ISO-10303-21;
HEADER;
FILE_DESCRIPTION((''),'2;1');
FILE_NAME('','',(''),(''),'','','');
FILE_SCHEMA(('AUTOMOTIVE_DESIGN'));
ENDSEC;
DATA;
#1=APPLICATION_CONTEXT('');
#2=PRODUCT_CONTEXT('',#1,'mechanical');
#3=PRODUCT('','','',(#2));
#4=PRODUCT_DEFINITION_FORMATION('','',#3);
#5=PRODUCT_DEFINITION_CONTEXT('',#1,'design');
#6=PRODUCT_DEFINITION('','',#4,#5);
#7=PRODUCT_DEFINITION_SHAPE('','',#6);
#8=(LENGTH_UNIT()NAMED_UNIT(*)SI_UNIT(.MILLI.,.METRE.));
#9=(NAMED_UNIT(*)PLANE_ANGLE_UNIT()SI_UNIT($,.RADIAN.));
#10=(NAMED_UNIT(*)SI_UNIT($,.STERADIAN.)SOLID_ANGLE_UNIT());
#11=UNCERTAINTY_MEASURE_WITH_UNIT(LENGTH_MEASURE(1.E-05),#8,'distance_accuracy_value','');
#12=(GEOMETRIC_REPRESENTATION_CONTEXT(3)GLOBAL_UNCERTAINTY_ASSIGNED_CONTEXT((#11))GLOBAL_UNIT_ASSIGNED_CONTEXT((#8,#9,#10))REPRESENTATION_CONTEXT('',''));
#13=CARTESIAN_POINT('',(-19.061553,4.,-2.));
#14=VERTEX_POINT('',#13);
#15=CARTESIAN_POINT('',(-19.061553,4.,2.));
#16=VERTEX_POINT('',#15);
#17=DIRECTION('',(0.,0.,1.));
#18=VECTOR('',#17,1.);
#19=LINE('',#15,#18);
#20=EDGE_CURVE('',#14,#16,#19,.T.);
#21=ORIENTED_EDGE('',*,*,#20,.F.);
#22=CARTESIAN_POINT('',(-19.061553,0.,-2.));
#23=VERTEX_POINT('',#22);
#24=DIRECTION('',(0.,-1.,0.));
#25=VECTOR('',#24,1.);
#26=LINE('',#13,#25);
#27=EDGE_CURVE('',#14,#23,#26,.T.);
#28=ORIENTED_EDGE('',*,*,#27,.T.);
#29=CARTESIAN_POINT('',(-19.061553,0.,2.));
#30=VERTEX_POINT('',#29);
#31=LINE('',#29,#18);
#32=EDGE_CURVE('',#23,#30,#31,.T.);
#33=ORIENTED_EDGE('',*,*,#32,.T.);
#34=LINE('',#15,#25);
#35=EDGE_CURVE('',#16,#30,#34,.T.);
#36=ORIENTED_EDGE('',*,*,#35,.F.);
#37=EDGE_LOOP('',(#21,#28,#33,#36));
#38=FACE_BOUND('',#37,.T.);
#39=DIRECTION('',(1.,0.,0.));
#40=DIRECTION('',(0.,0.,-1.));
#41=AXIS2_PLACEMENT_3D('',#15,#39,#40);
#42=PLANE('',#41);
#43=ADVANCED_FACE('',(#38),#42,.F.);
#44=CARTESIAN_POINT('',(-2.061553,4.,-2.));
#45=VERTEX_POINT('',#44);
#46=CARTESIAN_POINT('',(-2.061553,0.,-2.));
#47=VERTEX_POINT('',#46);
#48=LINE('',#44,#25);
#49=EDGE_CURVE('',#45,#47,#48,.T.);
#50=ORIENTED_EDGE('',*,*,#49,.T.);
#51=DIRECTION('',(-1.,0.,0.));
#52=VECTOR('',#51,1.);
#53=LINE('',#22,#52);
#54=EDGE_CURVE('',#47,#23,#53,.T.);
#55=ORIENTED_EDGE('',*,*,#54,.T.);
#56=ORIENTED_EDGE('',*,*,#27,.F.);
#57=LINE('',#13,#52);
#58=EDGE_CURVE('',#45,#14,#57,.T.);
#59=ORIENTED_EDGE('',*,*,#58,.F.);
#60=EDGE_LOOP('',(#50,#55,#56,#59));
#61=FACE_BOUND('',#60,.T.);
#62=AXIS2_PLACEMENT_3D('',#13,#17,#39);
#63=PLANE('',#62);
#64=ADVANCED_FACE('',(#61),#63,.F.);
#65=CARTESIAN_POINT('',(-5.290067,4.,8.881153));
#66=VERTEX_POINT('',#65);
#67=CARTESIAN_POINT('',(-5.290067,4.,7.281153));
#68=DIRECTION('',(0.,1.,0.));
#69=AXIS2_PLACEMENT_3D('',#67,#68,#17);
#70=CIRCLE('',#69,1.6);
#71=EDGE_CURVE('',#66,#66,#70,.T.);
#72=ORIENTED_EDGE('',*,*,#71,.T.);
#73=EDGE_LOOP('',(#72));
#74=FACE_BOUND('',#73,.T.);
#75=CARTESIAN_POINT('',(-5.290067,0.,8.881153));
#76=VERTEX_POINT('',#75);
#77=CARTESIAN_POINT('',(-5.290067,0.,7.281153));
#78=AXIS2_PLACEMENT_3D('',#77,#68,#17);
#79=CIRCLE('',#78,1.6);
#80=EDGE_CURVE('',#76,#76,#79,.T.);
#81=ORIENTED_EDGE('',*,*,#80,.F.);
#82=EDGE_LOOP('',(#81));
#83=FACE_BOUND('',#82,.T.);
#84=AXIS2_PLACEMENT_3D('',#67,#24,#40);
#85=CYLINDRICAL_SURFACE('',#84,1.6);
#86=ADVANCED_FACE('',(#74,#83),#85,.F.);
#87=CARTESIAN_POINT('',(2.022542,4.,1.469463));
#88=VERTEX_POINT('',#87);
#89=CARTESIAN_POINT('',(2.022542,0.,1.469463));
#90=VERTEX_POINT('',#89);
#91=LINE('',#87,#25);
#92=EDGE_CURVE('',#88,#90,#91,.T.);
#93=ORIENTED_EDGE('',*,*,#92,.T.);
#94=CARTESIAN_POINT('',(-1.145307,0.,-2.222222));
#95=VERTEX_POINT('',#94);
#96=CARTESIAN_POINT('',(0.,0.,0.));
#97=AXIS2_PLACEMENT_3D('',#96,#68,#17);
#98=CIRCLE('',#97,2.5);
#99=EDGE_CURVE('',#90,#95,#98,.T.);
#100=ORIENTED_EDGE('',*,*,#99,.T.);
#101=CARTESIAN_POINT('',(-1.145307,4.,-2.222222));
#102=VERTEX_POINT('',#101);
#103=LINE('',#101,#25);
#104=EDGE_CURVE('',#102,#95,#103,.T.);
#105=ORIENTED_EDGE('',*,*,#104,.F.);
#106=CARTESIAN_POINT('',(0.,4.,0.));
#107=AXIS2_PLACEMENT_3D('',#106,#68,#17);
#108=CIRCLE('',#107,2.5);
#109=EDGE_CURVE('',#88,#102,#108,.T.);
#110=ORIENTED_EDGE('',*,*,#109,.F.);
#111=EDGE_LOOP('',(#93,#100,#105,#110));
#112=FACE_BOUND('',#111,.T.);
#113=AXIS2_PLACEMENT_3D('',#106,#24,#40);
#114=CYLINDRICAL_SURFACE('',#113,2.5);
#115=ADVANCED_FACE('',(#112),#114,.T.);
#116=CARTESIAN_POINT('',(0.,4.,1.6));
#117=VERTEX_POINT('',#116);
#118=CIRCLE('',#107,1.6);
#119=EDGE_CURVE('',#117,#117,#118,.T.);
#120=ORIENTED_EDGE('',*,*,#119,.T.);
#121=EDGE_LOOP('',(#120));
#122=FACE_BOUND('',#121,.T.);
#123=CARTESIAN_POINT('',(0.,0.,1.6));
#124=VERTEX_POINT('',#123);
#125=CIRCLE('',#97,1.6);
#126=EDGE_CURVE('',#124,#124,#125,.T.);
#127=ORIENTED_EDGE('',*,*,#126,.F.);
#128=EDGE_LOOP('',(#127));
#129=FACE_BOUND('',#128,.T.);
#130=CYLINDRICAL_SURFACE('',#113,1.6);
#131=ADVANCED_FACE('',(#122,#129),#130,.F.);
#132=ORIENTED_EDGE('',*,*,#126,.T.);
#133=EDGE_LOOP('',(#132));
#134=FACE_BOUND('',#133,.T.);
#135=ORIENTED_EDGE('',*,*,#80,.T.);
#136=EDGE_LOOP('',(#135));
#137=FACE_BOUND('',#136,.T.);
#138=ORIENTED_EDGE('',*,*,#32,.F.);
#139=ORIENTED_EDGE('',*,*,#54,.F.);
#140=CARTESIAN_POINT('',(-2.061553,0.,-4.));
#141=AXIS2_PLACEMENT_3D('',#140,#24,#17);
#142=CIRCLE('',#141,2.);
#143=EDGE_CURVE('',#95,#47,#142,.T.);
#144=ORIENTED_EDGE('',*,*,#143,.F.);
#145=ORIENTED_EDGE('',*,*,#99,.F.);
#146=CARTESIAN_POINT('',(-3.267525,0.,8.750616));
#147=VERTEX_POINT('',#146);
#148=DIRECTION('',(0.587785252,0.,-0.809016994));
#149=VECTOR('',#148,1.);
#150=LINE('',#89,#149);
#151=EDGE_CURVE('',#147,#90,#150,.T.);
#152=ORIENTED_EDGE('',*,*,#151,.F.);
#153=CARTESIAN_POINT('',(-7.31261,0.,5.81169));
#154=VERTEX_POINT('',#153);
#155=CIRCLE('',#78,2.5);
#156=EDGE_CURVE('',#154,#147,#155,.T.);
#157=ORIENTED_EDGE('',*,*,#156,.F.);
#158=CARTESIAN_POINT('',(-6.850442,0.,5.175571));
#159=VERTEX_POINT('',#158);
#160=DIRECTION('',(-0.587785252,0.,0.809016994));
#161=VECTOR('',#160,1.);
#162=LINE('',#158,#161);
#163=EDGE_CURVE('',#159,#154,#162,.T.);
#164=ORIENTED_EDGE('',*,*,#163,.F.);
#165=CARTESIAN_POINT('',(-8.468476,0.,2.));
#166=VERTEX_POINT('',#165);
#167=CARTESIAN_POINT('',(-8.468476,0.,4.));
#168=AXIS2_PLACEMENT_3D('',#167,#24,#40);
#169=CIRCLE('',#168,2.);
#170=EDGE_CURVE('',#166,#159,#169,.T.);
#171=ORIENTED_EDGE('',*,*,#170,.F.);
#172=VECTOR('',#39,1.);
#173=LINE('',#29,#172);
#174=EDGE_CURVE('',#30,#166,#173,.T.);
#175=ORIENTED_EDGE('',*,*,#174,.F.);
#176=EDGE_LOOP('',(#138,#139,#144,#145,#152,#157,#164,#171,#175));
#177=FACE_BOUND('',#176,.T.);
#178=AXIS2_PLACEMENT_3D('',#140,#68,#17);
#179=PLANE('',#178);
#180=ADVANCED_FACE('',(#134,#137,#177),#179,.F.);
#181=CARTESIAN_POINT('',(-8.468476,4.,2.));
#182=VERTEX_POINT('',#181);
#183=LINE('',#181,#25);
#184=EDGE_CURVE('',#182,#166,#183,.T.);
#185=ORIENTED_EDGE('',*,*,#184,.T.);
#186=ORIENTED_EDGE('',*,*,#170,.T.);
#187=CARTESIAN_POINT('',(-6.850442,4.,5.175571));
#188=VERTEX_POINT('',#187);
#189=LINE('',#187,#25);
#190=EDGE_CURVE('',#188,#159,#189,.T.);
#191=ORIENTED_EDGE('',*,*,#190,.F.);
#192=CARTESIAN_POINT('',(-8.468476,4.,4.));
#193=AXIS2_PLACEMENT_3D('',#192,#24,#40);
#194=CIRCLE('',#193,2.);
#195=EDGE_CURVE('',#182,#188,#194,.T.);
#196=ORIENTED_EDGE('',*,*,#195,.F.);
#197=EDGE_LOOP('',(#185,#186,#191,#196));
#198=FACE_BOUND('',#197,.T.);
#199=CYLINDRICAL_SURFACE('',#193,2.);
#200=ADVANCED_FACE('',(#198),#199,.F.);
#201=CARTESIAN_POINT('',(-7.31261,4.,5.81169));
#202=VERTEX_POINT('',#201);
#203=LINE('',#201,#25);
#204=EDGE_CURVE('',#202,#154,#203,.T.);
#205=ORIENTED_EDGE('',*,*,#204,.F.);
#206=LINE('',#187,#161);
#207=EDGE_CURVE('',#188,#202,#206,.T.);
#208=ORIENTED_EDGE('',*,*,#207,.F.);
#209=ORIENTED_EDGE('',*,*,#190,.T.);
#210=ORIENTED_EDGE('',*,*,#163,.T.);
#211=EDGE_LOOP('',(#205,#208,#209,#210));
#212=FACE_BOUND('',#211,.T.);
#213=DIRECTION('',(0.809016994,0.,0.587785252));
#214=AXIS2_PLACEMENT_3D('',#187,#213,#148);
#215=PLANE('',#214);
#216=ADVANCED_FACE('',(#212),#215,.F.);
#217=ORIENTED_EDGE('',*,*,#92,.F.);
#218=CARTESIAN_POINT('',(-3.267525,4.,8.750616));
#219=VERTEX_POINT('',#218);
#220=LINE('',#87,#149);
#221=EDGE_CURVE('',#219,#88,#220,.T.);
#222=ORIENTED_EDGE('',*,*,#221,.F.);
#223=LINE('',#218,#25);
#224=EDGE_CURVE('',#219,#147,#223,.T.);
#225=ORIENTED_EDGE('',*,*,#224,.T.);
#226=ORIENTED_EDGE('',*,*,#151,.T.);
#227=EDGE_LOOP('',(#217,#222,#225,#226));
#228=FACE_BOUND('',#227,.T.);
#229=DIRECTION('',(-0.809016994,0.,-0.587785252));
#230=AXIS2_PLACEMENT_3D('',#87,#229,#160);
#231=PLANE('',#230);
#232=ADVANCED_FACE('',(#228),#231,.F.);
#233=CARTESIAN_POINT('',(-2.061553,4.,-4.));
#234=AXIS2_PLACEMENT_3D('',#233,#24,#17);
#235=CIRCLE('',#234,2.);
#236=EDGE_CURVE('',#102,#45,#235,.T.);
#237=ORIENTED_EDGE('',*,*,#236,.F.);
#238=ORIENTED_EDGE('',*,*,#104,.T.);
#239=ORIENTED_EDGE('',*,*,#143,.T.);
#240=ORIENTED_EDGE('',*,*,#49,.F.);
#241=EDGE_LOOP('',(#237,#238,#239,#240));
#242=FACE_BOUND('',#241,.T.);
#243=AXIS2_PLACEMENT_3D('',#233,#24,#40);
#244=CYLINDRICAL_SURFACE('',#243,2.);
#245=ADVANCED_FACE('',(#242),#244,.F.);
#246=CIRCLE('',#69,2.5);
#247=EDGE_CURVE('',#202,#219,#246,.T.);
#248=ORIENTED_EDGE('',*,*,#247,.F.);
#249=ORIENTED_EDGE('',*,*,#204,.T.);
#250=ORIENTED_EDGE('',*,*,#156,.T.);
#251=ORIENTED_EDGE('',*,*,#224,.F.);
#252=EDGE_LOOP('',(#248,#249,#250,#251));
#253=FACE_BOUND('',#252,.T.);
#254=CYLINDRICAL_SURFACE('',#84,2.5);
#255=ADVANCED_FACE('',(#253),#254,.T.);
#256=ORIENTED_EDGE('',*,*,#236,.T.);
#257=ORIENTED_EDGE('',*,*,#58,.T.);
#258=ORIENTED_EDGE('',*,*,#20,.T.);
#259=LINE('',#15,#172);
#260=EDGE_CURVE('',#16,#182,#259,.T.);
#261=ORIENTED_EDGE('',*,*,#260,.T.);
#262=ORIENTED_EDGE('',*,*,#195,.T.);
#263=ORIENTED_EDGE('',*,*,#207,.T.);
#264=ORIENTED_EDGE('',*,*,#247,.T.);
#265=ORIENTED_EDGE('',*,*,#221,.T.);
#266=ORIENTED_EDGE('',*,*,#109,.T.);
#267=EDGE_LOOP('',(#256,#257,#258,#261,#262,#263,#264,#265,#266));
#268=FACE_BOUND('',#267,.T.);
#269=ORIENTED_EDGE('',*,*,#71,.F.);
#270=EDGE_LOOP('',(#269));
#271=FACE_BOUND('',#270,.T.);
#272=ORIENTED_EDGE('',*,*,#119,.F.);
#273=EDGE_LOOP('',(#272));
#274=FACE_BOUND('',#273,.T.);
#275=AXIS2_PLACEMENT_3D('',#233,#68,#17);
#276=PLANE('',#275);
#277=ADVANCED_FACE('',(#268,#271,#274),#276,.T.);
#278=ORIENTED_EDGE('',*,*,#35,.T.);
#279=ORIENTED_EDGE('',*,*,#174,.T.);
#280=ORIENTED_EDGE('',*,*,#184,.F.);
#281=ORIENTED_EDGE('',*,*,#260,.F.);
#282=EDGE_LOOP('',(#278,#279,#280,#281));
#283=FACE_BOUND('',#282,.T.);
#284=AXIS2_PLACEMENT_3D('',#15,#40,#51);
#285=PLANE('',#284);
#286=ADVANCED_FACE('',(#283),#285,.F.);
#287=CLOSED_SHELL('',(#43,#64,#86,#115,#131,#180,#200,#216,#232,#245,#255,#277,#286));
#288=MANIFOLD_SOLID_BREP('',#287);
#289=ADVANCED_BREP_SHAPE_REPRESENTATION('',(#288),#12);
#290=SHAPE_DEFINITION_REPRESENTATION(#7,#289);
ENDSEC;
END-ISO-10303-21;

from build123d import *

# Parameters (mm, degrees)
SKETCH_2_R      = 1.6
EXTRUDE_1_DEPTH = 4


with BuildPart() as part:
    # ｽｹｯﾁ2 → ﾎﾞｽ - 押し出し1 (new body)
    with BuildSketch(Plane(origin=(0, 0, 0), x_dir=(1, 0, 0), z_dir=(0, 1, 0))):
        with BuildLine():
            Line((2.022542486, -1.469463131), (-3.267524785, -8.75061608))
            ThreePointArc((-3.267524785, -8.75061608), (-6.759530401, -9.303695435), (-7.312609757, -5.811689819))
            Line((-7.312609757, -5.811689819), (-6.850442022, -5.175570505))
            ThreePointArc((-6.850442022, -5.175570505), (-6.686462962, -3.092019001), (-8.468476011, -2))
            Line((-8.468476011, -2), (-19.061552813, -2))
            Line((-19.061552813, -2), (-19.061552813, 2))
            Line((-19.061552813, 2), (-2.061552813, 2))
            ThreePointArc((-2.061552813, 2), (-1.590148292, 2.056349368), (-1.145307118, 2.222222222))
            ThreePointArc((-1.145307118, 2.222222222), (1.897240274, 1.628029281), (2.022542486, -1.469463131))
        make_face()
        with Locations(Location((0, 0, 0), (0, 0, 270))):
            Circle(SKETCH_2_R, mode=Mode.SUBTRACT)
        with Locations(Location((-5.290067271, -7.281152949, 0), (0, 0, 270))):
            Circle(SKETCH_2_R, mode=Mode.SUBTRACT)
    extrude(amount=EXTRUDE_1_DEPTH)


solid = part.part
